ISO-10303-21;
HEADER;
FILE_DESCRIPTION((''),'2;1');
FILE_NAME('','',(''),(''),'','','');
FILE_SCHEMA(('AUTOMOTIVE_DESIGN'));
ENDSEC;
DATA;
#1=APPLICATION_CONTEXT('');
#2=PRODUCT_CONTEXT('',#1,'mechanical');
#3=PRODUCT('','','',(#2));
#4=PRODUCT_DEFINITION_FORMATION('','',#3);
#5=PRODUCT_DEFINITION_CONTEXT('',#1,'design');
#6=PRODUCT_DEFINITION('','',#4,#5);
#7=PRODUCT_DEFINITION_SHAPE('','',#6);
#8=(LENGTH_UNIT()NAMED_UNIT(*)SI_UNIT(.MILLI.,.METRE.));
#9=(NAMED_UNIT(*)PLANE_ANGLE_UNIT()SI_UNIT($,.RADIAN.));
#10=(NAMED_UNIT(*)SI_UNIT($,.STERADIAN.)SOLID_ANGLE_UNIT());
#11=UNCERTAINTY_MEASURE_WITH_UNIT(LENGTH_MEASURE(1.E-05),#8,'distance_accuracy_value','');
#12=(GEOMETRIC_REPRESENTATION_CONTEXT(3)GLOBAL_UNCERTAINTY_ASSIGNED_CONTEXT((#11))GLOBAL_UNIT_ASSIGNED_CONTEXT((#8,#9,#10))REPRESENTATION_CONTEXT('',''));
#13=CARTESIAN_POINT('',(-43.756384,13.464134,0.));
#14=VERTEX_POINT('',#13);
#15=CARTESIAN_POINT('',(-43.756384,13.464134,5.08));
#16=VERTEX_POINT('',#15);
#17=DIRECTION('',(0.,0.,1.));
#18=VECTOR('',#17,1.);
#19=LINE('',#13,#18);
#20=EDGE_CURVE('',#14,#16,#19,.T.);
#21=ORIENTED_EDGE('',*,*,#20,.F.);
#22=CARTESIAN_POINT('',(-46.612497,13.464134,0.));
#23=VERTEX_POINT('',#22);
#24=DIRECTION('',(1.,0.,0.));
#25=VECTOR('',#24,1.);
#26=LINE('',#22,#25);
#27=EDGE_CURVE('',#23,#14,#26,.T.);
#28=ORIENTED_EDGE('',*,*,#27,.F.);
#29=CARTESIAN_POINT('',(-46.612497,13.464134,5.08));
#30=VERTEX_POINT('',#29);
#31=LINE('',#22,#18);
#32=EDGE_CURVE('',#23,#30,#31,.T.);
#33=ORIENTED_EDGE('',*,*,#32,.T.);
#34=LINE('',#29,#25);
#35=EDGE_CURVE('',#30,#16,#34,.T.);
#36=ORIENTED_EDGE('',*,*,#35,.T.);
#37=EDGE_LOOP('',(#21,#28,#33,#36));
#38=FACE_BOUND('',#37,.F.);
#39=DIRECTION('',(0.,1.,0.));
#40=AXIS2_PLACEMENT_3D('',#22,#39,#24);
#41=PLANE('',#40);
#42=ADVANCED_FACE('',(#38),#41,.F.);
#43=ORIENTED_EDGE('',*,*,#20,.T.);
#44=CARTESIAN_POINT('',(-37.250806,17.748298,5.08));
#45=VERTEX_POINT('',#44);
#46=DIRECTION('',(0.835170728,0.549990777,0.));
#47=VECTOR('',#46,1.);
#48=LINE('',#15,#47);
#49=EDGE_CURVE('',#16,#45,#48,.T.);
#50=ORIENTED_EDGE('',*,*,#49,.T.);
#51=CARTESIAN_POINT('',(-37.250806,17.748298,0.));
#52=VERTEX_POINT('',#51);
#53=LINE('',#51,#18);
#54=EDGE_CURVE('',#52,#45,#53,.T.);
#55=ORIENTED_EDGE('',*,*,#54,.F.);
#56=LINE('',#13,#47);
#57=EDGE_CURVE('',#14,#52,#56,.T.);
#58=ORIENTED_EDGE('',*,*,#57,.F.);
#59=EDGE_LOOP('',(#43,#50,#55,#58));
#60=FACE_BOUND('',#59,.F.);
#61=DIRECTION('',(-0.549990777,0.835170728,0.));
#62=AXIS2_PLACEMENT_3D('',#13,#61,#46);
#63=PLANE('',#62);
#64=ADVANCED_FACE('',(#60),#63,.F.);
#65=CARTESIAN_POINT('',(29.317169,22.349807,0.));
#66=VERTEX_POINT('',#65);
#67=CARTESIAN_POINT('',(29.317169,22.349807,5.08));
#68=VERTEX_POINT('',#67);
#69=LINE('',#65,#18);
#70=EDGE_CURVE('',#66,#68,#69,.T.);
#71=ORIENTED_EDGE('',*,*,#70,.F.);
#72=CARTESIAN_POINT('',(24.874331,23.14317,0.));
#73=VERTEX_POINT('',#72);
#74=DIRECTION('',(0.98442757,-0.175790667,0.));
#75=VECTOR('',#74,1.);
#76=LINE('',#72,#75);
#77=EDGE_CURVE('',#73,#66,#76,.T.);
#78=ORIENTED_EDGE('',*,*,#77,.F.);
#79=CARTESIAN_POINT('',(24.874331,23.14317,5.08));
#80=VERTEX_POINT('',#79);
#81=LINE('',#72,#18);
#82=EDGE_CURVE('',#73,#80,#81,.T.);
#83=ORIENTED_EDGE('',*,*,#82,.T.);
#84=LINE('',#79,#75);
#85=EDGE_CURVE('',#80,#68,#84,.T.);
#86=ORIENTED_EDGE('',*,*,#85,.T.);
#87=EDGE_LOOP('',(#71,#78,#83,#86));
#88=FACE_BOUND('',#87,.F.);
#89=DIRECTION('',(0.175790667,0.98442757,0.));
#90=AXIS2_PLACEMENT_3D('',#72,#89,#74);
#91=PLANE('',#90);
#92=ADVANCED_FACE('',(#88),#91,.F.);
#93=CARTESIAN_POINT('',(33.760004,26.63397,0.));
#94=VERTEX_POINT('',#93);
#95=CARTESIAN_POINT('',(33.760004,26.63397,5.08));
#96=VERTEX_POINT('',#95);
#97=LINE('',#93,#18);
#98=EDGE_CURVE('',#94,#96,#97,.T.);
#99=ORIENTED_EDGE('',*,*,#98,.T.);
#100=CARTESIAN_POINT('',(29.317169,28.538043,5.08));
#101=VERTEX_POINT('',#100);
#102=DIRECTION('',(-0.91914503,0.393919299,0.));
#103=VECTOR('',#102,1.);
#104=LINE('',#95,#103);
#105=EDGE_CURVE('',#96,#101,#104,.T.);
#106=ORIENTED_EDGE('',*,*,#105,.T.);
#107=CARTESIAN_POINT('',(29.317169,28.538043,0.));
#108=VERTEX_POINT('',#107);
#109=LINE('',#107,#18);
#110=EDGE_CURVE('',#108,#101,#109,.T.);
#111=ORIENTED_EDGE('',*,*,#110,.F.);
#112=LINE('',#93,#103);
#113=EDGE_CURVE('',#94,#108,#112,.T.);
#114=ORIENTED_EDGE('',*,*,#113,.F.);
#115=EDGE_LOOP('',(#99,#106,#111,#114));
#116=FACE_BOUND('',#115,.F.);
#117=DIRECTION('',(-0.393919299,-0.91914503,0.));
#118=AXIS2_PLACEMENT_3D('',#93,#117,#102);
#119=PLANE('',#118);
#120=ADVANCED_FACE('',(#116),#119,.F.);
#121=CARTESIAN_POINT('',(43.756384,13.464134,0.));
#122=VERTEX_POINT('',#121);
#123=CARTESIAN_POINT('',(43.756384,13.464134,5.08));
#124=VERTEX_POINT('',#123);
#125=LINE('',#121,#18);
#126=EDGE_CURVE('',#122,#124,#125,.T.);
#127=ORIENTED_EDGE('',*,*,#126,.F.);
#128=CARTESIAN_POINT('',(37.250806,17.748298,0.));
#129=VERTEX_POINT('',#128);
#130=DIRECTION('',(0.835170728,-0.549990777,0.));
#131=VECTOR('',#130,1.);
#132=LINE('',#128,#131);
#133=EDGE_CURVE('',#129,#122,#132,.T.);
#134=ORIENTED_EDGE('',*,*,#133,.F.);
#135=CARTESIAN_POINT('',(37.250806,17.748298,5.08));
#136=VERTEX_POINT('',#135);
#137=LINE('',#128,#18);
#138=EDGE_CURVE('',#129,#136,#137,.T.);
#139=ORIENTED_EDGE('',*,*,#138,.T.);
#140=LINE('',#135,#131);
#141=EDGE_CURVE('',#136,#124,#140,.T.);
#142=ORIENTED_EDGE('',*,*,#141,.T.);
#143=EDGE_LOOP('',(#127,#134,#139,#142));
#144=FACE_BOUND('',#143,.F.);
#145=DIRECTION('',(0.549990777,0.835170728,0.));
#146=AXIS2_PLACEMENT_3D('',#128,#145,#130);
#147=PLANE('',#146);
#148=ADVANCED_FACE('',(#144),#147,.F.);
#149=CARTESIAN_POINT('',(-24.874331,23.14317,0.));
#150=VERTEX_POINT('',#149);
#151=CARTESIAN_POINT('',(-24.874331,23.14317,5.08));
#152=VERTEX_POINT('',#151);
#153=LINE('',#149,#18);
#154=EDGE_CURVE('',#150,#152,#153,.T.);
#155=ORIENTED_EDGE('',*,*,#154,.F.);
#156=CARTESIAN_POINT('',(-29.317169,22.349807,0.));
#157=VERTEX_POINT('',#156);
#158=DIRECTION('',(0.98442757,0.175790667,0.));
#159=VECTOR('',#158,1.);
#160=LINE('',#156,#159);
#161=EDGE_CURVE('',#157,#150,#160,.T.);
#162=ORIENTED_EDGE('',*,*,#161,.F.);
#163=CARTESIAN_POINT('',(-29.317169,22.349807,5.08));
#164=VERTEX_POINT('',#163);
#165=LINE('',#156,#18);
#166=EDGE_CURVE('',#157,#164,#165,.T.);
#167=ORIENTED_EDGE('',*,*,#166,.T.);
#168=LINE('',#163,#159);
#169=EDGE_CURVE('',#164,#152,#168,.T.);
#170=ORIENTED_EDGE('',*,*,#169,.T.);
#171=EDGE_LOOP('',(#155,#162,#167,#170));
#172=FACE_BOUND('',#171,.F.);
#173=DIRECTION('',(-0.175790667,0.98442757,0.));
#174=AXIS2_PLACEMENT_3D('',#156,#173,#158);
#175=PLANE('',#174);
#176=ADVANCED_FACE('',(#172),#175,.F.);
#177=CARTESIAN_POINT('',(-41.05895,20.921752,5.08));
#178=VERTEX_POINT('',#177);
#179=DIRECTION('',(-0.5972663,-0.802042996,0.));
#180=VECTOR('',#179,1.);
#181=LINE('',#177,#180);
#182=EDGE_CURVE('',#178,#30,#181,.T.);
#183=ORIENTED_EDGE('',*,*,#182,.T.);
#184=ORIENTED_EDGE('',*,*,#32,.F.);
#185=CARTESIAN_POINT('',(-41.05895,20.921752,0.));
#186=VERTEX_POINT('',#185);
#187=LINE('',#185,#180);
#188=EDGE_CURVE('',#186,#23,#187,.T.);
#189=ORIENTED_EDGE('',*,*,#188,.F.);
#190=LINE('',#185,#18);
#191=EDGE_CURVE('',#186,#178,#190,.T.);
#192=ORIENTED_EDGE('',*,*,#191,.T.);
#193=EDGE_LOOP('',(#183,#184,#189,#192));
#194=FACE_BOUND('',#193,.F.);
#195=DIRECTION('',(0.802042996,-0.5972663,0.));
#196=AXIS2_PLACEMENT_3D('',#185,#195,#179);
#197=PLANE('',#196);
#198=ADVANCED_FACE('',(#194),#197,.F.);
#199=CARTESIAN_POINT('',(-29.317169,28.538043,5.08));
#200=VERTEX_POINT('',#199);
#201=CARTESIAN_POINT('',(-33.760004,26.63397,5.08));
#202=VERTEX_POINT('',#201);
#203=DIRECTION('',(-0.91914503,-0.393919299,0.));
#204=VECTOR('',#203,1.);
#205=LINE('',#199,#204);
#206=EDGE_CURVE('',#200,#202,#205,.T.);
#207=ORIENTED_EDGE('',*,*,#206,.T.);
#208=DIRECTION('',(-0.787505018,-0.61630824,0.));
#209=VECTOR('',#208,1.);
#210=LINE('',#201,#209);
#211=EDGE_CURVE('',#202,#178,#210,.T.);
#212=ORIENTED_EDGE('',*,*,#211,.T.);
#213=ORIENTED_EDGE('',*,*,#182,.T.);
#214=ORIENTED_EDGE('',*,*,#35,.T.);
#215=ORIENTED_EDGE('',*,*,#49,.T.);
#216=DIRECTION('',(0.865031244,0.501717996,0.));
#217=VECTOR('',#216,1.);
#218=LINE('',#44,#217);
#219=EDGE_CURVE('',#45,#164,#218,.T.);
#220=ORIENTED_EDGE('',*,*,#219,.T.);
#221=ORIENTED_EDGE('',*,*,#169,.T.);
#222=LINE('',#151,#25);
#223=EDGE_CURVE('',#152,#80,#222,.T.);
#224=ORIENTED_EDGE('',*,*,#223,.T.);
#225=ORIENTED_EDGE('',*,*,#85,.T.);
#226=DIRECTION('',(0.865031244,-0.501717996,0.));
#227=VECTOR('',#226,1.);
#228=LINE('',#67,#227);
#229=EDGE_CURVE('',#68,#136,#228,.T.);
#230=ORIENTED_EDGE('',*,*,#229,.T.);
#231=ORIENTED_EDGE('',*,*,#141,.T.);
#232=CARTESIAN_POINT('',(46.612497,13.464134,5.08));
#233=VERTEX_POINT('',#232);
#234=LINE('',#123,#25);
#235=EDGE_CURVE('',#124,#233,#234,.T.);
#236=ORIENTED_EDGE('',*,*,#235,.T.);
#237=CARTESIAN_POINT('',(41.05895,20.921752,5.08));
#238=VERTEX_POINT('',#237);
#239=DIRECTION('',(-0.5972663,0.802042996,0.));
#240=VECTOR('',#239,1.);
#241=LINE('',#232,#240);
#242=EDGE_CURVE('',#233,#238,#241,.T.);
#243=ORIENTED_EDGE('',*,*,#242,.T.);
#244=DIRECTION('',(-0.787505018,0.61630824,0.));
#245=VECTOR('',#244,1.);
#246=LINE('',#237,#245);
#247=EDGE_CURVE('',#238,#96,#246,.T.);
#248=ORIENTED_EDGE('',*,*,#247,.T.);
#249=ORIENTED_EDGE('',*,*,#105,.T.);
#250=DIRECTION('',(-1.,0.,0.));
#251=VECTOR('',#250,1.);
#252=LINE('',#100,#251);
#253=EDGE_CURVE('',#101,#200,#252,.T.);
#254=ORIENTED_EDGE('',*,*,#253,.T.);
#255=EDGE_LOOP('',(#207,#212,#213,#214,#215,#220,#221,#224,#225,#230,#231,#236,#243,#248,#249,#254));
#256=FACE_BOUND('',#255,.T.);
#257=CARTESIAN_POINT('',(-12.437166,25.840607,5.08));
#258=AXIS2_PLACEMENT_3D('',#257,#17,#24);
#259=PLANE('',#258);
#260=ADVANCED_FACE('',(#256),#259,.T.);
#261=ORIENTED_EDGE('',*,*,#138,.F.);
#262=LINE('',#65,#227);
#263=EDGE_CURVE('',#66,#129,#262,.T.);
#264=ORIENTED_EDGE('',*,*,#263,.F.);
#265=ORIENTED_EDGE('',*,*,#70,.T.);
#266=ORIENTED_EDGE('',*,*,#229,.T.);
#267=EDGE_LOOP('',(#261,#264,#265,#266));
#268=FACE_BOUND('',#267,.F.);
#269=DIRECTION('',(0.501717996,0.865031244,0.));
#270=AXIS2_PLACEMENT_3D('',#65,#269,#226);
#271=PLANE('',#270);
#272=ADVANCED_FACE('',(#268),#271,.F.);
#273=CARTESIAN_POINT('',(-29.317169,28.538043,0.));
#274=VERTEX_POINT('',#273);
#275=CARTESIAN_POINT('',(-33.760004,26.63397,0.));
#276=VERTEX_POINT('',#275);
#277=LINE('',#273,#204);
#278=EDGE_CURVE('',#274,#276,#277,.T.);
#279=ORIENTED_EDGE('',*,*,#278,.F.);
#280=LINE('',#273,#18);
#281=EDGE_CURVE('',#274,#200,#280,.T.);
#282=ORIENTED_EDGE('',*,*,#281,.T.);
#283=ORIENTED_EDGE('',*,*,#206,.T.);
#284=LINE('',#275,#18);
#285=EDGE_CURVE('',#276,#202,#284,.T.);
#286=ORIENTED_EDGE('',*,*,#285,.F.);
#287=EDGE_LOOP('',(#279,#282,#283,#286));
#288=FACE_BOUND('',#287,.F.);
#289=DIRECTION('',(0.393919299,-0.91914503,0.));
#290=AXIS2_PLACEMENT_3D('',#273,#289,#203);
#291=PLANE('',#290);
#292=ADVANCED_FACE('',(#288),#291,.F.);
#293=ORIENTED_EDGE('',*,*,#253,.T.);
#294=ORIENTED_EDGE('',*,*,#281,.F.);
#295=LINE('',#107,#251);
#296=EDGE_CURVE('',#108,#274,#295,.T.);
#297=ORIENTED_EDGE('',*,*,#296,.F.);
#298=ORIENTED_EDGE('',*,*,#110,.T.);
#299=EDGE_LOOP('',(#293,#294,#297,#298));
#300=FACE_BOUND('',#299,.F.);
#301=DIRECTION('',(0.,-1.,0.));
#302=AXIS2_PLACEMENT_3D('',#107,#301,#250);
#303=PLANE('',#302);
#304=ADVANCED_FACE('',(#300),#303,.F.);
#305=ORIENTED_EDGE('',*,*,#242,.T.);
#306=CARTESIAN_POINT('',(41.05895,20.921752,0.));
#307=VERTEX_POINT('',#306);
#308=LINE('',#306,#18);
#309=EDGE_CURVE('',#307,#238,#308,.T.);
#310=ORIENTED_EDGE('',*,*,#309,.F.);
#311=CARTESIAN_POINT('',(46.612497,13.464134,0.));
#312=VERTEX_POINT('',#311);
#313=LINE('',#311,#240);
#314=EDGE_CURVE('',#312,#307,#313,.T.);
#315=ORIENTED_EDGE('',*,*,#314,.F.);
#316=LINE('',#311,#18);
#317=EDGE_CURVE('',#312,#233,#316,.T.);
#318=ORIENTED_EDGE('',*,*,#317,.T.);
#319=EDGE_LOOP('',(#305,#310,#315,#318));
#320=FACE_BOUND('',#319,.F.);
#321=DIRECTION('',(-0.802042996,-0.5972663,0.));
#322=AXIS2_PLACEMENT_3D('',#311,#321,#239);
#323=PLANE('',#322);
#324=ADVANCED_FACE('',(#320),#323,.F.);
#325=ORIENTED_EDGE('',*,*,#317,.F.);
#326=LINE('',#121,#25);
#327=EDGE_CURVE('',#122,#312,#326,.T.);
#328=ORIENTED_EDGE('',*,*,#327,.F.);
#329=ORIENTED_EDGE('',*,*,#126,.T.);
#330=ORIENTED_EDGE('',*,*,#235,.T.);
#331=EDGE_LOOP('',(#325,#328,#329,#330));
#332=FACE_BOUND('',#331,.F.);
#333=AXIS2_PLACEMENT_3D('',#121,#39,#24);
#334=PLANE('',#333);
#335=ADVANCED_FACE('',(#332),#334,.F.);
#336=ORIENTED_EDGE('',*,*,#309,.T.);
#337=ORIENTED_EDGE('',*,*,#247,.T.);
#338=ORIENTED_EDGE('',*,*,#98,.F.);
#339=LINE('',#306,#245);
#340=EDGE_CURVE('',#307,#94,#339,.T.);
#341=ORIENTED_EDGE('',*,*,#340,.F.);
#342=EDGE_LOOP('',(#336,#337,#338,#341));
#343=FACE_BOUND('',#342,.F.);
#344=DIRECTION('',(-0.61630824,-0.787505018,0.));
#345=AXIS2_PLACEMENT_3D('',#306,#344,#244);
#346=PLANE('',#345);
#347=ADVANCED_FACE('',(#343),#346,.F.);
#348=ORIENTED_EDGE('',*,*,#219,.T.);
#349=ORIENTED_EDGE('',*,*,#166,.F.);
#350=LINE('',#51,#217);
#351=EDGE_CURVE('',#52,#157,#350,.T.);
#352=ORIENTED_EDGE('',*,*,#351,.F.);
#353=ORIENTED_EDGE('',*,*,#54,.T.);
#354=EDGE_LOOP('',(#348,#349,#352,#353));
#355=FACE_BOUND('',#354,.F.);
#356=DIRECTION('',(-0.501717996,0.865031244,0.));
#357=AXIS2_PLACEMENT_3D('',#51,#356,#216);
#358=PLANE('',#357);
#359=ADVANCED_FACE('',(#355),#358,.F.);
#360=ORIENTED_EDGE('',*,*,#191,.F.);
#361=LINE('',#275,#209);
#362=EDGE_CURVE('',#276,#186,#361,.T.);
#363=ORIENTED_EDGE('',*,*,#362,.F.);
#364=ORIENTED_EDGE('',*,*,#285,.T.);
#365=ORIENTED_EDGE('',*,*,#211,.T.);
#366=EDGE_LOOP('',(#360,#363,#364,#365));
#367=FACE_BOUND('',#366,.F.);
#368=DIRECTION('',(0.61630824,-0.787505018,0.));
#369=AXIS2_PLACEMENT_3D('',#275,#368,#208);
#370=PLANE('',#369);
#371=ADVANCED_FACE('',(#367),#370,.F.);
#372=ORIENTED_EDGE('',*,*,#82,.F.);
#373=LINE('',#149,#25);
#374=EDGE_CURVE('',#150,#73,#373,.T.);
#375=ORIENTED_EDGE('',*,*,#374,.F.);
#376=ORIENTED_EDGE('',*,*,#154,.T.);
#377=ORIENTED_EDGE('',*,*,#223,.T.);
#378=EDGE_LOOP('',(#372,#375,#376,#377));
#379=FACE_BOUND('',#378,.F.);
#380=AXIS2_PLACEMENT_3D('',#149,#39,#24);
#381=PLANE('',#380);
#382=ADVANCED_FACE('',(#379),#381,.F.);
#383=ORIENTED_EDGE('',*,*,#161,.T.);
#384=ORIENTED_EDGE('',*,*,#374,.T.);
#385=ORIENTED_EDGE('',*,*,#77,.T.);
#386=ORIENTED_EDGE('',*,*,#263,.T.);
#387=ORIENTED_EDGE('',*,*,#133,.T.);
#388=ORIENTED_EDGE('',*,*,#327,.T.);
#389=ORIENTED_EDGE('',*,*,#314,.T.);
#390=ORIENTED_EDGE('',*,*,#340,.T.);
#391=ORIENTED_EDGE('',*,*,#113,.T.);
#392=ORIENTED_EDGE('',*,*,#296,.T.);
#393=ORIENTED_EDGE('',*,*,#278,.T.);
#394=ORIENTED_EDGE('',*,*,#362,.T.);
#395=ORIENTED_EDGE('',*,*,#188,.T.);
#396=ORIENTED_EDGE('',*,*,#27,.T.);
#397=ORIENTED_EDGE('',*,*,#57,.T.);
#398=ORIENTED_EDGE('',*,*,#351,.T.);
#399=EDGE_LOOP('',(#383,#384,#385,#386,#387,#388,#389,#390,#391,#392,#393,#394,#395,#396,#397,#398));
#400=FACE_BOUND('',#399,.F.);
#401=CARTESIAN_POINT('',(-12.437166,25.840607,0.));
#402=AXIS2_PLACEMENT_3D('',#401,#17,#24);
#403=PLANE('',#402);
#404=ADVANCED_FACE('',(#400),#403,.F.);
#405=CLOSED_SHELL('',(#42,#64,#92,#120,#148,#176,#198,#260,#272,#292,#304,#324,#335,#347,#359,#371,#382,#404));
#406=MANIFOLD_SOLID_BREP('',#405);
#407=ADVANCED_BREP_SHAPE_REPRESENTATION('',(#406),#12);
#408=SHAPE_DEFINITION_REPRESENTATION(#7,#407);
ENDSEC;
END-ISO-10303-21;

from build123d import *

# Parameters (mm, degrees)
F0_W     = 24.8743314296
F0_H     = 5.394872278
F1_DEPTH = 5.08


with BuildPart() as f1:
    # F0 (on Top) → F1 (new body)
    with BuildSketch(Plane.XY):
        with Locations((-12.4371657148, 25.8406065404)):
            Rectangle(F0_W, F0_H)
        with Locations((12.4371657148, 25.8406065404)):
            Rectangle(F0_W, F0_H)
        Polygon((-24.8743314296, 23.1431704015), (-24.8743314296, 28.5380426794), (-29.3171685189, 28.5380426794), (-33.7600037456, 26.6339704394), (-41.0589501262, 20.9217518568), (-46.6124974191, 13.4641341865), (-43.7563844025, 13.4641341865), (-37.2508056462, 17.7482981235), (-29.3171685189, 22.3498065025), align=None)
        Polygon((29.3171685189, 28.5380426794), (24.8743314296, 28.5380426794), (24.8743314296, 23.1431704015), (29.3171685189, 22.3498065025), (37.2508056462, 17.7482981235), (43.7563844025, 13.4641341865), (46.6124974191, 13.4641341865), (41.0589501262, 20.9217518568), (33.7600037456, 26.6339704394), align=None)
    extrude(amount=F1_DEPTH)


solid = f1.part
